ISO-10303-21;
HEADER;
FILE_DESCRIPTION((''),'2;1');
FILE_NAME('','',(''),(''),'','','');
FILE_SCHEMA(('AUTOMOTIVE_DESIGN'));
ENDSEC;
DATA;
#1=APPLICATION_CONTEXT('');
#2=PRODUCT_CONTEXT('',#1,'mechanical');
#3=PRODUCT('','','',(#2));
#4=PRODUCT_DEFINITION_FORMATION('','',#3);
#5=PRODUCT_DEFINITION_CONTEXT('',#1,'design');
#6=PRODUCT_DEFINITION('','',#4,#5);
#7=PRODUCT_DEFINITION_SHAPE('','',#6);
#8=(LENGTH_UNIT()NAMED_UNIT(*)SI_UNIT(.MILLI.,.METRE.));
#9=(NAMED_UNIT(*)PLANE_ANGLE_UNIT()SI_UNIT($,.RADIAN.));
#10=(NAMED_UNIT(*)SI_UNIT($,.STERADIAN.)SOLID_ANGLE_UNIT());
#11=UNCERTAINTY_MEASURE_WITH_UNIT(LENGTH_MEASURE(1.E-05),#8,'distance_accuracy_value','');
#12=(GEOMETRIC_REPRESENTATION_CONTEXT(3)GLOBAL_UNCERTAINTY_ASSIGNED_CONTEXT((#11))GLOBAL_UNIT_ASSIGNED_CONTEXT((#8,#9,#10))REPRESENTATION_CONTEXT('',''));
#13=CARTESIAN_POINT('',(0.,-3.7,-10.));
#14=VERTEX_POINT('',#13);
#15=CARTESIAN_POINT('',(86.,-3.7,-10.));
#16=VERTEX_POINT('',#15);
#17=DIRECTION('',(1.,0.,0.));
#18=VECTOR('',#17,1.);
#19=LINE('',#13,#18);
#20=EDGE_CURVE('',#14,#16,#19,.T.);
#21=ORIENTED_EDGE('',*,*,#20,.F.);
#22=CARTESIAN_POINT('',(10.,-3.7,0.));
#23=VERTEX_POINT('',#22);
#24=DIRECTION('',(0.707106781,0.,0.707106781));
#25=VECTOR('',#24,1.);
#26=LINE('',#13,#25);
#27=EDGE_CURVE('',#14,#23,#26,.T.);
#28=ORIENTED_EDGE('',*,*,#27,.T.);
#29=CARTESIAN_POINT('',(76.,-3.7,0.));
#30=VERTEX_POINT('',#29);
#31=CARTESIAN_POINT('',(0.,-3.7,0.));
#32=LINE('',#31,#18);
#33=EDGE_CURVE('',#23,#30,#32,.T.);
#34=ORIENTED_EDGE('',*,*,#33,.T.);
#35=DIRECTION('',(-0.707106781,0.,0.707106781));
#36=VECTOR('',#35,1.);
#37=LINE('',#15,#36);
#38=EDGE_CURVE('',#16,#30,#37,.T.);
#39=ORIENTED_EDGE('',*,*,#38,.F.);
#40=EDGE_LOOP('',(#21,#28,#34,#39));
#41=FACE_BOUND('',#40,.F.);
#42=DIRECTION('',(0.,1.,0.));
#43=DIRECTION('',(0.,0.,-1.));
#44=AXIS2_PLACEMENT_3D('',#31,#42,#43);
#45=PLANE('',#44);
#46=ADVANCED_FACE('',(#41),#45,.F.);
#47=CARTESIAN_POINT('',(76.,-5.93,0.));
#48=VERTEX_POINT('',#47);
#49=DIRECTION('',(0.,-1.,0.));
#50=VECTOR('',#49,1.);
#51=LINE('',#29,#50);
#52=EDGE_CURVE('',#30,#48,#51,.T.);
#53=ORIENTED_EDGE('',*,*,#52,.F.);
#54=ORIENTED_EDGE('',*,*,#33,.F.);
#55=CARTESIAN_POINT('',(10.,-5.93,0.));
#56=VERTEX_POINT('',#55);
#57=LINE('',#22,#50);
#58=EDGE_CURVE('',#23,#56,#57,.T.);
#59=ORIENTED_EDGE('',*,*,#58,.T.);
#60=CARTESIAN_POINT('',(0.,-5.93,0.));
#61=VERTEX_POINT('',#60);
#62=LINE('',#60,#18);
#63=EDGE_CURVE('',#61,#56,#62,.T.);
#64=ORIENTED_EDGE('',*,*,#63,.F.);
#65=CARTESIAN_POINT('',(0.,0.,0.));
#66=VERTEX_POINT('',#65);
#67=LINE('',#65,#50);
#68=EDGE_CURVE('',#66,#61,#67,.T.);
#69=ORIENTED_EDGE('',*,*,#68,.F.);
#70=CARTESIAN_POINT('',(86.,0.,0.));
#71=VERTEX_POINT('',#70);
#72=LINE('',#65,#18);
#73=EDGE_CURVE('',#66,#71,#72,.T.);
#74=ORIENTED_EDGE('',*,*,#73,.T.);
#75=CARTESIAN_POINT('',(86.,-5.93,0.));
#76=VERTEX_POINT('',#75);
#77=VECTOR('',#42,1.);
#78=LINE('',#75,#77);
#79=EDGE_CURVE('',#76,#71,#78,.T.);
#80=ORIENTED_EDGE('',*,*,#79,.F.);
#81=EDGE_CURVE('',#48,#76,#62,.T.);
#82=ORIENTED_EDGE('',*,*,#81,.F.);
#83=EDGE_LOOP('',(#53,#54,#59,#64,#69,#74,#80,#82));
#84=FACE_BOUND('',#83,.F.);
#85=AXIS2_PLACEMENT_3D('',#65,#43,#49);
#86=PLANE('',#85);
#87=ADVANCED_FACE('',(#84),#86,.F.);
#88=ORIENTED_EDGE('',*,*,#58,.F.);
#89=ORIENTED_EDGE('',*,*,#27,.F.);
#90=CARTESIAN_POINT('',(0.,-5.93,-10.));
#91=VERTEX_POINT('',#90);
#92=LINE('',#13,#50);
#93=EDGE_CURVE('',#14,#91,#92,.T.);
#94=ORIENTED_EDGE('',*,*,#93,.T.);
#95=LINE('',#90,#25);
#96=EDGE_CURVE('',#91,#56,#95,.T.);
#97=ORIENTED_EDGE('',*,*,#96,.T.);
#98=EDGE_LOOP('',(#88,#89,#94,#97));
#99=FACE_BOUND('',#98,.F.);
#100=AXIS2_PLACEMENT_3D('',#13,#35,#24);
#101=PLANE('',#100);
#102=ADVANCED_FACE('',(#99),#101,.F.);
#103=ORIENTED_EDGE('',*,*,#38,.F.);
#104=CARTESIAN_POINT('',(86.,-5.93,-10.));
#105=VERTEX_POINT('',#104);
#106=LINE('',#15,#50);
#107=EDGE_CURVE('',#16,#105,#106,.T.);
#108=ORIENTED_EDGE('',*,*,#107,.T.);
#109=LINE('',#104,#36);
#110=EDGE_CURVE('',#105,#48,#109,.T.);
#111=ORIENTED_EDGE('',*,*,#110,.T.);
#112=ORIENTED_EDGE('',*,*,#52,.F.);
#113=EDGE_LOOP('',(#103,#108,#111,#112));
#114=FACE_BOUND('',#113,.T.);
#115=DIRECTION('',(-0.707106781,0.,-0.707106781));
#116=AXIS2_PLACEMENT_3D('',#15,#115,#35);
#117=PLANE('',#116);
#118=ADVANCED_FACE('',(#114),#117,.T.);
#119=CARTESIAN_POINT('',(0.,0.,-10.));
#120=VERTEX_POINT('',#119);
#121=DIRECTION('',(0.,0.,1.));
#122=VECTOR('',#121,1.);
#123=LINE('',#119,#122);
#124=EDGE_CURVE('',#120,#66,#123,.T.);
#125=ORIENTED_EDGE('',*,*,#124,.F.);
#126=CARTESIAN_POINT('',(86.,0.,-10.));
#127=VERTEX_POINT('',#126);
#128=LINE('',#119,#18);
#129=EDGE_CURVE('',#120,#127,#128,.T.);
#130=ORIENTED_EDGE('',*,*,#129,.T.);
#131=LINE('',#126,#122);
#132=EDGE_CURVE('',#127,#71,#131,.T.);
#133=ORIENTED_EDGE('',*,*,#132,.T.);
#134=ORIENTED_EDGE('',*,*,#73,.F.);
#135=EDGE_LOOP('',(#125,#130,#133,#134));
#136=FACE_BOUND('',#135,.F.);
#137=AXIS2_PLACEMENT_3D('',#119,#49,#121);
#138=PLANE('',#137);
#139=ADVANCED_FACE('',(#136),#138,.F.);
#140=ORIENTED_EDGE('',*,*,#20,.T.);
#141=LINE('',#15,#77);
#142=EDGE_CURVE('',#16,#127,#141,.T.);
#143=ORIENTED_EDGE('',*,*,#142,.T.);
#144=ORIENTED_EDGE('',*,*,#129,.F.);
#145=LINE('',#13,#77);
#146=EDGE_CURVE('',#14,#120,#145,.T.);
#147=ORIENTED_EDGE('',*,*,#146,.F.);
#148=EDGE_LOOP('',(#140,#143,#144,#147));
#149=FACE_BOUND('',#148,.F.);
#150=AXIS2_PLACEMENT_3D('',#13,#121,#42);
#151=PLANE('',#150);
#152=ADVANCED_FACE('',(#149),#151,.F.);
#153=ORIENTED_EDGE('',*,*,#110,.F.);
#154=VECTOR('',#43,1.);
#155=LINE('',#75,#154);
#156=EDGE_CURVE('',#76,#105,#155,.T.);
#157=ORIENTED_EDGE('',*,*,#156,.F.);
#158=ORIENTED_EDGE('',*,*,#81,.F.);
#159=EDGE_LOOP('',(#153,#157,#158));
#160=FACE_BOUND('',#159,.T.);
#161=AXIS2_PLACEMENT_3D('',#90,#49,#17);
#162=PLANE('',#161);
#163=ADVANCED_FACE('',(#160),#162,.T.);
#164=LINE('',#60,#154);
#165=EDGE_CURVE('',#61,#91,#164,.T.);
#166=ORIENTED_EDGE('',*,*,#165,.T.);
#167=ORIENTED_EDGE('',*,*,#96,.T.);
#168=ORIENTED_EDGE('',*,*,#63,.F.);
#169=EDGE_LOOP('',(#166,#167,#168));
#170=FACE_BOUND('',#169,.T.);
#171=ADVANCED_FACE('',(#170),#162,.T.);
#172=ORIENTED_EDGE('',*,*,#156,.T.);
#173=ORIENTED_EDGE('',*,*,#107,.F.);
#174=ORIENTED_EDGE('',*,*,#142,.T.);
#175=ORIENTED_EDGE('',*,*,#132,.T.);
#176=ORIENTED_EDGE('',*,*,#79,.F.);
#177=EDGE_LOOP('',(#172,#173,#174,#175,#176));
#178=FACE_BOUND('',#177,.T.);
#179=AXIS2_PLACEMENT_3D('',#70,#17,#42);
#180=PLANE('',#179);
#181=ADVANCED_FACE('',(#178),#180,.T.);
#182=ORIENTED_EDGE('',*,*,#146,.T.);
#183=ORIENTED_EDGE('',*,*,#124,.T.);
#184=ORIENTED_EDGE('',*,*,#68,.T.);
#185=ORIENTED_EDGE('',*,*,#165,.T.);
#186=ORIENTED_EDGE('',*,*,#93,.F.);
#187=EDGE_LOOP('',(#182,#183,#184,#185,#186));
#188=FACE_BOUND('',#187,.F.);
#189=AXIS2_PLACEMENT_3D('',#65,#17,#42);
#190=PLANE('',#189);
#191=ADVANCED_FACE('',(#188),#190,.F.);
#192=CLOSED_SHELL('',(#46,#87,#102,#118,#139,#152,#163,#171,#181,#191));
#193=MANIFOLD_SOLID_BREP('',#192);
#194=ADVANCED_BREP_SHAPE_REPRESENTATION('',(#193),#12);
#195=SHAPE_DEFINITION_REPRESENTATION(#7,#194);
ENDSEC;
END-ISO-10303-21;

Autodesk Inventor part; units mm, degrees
ref_plane "YZ Plane" through (0, 0, 0) normal (1, 0, 0) x (0, 1, 0)
ref_plane "XZ Plane" through (0, 0, 0) normal (0, 1, 0) x (-1, 0, 0)
ref_plane "XY Plane" through (0, 0, 0) normal (0, 0, 1) x (1, 0, 0)
sketch "Szkic1" plane through (0, 0, 0) normal (1, 0, 0) x (0, 1, 0)
  line L0 (0, 0) -> (-3.7, 0)
  line L1 (-3.7, 0) -> (-3.7, -10)
  line L2 (-3.7, -10) -> (0, -10)
  line L3 (0, -10) -> (0, 0)
  dimension "d0" = 3.7
  dimension "d1" = 10
extrude "Wyciągnięcie proste1" add sketch "Szkic1" along normal blind 86
sketch "Szkic2" plane through (0, -3.7, -10) normal (0, -1, 0) x (1, 0, 0)
  line L0 (0, 10) -> (0, 0) projected
  line L1 (0, 0) -> (86, 0) projected
  line L2 (86, 10) -> (86, 0) projected
  line L3 (0, 10) -> (86, 10) projected
  line L4 (0, 0) -> (10, 10)
  line L5 (0, 10) -> (86, 10) projected
  line L6 (86, 0) -> (76, 10)
  dimension "d4" = 45
  dimension "d5" = 45
extrude "Wyciągnięcie proste2" add sketch "Szkic2" along normal blind 2.23 contours L3 L4 L0 | L6 L3 L2
properties part number "belka"
